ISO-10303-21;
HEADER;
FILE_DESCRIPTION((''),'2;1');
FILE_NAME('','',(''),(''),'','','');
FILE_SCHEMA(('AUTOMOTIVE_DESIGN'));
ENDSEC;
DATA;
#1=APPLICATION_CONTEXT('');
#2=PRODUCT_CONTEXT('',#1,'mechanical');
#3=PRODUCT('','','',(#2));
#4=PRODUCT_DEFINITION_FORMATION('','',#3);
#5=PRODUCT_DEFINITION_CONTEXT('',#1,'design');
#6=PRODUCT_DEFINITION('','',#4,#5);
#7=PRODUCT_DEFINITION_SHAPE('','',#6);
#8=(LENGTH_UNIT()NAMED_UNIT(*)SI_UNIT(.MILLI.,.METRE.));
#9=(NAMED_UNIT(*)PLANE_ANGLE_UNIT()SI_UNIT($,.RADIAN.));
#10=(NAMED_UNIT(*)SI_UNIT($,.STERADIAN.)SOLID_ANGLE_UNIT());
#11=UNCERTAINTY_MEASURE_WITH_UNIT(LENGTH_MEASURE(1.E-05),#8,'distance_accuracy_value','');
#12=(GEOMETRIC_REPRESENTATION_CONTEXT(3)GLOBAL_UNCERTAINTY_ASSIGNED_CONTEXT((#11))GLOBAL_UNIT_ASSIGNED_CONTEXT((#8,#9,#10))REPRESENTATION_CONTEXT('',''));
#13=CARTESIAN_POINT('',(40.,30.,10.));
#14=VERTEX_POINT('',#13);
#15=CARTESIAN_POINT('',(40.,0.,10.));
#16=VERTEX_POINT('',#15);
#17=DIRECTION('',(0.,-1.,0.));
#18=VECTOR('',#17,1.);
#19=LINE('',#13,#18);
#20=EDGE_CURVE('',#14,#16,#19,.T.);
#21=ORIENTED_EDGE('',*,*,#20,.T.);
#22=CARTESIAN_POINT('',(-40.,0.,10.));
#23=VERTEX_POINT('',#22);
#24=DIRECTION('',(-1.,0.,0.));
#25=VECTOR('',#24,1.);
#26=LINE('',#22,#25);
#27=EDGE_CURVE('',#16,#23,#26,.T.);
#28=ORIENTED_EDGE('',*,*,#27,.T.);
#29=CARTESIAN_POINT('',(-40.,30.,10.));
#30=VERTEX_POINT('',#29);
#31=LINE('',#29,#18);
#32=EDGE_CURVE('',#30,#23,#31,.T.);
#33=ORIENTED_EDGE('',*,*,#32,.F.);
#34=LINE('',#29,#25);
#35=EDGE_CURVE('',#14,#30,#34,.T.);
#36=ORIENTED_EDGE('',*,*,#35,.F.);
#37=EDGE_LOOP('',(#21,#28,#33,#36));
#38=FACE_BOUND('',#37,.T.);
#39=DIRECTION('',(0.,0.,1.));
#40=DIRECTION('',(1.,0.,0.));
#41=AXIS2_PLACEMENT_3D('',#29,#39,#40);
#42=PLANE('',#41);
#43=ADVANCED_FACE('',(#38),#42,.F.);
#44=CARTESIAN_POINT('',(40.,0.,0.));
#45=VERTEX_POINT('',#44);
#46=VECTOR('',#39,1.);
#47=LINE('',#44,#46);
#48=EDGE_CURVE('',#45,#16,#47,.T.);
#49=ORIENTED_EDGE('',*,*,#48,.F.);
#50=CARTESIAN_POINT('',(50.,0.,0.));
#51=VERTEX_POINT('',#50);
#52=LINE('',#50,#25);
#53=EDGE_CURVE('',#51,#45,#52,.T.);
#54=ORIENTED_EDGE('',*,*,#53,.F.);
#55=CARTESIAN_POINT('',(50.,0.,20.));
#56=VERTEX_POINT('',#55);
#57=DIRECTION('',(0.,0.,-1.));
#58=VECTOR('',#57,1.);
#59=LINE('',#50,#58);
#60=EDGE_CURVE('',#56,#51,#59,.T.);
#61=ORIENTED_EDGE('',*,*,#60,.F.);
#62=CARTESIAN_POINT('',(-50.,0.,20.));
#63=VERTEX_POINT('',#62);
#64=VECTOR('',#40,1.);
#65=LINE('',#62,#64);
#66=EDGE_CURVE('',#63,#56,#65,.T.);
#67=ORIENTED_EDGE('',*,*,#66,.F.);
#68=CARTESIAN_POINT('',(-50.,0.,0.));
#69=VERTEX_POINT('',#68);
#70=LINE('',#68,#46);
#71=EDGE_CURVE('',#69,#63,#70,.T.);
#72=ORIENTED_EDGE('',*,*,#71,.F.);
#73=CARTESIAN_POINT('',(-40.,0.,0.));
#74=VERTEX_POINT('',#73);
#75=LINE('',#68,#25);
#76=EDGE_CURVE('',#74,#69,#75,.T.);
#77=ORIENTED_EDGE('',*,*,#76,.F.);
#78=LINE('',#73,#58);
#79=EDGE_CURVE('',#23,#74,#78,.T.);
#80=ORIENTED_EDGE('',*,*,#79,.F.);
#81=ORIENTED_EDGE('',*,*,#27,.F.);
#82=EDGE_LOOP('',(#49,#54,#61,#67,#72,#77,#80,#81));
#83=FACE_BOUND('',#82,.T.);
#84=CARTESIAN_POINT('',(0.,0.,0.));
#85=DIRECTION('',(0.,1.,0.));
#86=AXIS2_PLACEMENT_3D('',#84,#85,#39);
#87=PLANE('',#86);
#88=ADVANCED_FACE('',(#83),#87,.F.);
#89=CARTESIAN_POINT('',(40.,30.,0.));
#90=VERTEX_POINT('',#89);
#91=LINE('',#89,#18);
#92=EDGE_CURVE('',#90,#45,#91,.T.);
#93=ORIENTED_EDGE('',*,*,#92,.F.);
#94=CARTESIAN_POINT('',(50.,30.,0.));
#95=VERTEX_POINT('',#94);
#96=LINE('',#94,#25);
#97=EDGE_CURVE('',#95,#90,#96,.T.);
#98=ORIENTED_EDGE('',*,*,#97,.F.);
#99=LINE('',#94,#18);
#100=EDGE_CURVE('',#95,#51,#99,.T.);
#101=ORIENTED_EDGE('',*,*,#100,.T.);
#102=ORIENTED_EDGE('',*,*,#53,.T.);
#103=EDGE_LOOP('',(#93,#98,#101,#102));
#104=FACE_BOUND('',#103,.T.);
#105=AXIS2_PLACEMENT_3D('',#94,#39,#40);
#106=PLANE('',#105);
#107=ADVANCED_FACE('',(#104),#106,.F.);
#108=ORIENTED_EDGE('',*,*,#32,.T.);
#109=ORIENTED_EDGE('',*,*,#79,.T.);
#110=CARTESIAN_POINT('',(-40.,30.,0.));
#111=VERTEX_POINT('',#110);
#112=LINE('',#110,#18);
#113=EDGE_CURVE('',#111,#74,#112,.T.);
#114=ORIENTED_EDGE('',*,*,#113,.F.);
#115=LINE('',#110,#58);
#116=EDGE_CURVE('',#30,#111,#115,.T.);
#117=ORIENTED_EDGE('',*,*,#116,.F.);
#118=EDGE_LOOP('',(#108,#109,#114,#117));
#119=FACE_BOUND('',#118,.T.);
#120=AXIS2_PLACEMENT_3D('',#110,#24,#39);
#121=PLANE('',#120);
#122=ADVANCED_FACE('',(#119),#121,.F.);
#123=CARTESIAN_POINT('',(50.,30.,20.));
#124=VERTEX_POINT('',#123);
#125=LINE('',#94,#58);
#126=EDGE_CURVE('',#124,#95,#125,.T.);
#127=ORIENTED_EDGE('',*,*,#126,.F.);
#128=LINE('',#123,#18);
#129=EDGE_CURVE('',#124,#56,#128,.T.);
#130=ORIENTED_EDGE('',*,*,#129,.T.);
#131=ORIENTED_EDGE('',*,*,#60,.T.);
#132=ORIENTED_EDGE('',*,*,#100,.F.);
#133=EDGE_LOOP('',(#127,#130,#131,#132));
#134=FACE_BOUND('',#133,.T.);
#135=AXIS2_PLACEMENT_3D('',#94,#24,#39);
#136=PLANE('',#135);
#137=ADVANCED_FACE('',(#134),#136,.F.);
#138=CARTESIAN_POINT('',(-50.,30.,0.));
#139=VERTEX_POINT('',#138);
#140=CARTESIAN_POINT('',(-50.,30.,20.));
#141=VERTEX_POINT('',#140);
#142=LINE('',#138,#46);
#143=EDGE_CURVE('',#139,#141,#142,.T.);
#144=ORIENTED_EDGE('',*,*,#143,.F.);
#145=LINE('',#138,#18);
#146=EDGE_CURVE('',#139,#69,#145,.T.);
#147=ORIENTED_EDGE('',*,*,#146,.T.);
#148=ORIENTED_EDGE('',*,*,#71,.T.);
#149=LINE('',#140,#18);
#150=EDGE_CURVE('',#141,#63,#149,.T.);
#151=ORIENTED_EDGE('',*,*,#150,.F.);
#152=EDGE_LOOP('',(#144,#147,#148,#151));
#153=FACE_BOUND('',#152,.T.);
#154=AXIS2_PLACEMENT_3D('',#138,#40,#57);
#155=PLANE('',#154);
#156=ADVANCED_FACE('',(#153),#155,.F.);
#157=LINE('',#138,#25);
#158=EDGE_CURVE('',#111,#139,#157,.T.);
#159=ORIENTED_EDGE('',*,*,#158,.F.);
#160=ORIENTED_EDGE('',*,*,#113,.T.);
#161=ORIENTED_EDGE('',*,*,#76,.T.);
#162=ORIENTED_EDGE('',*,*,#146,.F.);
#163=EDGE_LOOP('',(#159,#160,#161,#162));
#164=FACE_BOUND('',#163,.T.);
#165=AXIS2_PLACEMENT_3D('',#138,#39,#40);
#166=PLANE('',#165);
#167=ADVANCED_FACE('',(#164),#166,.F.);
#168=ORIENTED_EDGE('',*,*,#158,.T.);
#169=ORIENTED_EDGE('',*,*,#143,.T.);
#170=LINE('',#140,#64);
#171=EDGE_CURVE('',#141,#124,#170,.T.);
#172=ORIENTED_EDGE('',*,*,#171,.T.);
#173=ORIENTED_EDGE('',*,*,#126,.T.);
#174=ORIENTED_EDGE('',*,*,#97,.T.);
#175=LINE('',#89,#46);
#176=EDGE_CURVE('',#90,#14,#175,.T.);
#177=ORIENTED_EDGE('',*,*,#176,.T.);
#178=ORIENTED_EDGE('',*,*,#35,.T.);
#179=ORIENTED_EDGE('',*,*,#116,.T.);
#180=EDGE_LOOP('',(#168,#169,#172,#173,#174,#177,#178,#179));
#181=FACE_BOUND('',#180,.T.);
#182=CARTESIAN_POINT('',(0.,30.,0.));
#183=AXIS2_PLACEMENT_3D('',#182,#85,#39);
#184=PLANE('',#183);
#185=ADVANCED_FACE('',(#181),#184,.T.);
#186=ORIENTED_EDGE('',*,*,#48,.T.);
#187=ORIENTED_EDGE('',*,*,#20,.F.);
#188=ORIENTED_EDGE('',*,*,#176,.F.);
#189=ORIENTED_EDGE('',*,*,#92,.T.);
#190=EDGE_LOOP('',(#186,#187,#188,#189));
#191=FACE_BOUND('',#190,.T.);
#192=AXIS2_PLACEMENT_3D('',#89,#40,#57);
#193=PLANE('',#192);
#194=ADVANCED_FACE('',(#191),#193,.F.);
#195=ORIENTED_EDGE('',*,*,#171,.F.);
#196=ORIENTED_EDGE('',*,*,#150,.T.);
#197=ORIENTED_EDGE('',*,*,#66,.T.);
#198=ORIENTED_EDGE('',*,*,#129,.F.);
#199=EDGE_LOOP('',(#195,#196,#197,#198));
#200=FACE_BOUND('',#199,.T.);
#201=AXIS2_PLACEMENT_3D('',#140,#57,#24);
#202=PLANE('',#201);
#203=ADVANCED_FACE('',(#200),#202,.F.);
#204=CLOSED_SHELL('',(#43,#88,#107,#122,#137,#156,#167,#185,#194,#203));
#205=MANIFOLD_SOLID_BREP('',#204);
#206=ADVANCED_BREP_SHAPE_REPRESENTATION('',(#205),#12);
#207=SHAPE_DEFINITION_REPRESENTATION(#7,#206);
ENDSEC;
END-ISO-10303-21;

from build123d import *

# Parameters (mm, degrees)
BOSS_EXTRUDE1_DEPTH = 30


with BuildPart() as part:
    # Sketch1 → Boss-Extrude1 (new body)
    with BuildSketch(Plane(origin=(0, 0, 0), x_dir=(1, 0, 0), z_dir=(0, 1, 0))):
        Polygon((-50, 0), (-40, 0), (-40, -10), (40, -10), (40, 0), (50, 0), (50, -20), (-50, -20), align=None)
    extrude(amount=BOSS_EXTRUDE1_DEPTH)


solid = part.part
